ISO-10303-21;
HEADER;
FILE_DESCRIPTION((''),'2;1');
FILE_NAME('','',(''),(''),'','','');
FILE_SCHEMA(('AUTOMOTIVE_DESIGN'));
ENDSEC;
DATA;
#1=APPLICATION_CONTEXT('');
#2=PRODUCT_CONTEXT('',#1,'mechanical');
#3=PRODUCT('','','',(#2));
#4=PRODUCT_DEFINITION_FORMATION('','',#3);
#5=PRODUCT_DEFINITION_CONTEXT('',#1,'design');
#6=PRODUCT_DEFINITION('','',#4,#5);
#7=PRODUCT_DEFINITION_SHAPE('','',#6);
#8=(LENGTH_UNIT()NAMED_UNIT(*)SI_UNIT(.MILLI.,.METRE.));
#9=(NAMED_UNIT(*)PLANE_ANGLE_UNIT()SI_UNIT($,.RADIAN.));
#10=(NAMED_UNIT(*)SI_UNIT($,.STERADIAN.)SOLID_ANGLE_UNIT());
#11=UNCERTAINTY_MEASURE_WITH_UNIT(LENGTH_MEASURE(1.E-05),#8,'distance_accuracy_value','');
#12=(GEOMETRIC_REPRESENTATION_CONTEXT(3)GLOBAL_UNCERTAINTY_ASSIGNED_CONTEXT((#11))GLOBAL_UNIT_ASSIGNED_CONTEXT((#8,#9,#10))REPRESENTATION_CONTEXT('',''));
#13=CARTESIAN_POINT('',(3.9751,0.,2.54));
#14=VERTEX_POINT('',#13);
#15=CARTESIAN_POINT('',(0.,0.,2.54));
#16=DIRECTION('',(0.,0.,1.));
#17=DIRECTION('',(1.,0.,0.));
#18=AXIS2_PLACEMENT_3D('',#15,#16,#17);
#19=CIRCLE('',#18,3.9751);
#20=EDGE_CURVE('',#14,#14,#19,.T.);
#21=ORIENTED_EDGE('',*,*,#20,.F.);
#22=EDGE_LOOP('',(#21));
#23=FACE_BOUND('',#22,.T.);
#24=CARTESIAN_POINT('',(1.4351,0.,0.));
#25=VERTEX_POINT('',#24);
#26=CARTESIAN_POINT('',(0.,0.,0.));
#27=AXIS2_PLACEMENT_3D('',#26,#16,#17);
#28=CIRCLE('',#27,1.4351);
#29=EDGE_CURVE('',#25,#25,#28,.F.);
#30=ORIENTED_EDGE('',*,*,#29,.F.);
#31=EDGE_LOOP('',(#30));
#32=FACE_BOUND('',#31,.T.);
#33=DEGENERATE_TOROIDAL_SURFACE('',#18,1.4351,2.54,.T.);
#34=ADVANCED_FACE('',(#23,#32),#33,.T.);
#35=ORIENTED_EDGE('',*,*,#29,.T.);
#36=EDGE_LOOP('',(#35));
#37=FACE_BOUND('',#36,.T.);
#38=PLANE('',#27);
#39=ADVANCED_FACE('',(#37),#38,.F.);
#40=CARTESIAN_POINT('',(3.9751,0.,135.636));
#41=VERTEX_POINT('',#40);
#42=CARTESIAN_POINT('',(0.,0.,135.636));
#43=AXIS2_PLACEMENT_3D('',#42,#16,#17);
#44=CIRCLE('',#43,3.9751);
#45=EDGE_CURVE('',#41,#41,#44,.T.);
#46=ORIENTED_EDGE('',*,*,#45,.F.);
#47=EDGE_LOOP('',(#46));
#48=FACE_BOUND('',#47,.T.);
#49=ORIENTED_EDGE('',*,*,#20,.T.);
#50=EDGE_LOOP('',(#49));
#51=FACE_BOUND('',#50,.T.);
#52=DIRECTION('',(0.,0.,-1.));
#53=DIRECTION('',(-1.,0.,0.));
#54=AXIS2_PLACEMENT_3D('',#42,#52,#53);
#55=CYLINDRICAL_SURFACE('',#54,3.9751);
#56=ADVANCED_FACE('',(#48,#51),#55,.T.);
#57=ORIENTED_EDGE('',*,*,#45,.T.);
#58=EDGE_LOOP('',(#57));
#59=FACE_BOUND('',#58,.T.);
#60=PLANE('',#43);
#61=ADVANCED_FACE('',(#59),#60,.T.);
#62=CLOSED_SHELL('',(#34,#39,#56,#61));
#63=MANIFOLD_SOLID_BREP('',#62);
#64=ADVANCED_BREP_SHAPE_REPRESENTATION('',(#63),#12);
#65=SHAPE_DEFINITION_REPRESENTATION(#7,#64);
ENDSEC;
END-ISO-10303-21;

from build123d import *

# Parameters (mm, degrees)
SKETCH1_R           = 3.9751
BOSS_EXTRUDE1_DEPTH = 135.636
FILLET2_R           = 2.54


with BuildPart() as part:
    # Sketch1 → Boss-Extrude1 (new body)
    with BuildSketch(Plane.XY):
        Circle(SKETCH1_R)
    extrude(amount=BOSS_EXTRUDE1_DEPTH)

    # Fillet2
    fillet2_edges = [part.edges().sort_by_distance(p)[0] for p in [
        (-3.9751, 0, 0),
    ]]
    fillet(fillet2_edges, radius=FILLET2_R)


solid = part.part
